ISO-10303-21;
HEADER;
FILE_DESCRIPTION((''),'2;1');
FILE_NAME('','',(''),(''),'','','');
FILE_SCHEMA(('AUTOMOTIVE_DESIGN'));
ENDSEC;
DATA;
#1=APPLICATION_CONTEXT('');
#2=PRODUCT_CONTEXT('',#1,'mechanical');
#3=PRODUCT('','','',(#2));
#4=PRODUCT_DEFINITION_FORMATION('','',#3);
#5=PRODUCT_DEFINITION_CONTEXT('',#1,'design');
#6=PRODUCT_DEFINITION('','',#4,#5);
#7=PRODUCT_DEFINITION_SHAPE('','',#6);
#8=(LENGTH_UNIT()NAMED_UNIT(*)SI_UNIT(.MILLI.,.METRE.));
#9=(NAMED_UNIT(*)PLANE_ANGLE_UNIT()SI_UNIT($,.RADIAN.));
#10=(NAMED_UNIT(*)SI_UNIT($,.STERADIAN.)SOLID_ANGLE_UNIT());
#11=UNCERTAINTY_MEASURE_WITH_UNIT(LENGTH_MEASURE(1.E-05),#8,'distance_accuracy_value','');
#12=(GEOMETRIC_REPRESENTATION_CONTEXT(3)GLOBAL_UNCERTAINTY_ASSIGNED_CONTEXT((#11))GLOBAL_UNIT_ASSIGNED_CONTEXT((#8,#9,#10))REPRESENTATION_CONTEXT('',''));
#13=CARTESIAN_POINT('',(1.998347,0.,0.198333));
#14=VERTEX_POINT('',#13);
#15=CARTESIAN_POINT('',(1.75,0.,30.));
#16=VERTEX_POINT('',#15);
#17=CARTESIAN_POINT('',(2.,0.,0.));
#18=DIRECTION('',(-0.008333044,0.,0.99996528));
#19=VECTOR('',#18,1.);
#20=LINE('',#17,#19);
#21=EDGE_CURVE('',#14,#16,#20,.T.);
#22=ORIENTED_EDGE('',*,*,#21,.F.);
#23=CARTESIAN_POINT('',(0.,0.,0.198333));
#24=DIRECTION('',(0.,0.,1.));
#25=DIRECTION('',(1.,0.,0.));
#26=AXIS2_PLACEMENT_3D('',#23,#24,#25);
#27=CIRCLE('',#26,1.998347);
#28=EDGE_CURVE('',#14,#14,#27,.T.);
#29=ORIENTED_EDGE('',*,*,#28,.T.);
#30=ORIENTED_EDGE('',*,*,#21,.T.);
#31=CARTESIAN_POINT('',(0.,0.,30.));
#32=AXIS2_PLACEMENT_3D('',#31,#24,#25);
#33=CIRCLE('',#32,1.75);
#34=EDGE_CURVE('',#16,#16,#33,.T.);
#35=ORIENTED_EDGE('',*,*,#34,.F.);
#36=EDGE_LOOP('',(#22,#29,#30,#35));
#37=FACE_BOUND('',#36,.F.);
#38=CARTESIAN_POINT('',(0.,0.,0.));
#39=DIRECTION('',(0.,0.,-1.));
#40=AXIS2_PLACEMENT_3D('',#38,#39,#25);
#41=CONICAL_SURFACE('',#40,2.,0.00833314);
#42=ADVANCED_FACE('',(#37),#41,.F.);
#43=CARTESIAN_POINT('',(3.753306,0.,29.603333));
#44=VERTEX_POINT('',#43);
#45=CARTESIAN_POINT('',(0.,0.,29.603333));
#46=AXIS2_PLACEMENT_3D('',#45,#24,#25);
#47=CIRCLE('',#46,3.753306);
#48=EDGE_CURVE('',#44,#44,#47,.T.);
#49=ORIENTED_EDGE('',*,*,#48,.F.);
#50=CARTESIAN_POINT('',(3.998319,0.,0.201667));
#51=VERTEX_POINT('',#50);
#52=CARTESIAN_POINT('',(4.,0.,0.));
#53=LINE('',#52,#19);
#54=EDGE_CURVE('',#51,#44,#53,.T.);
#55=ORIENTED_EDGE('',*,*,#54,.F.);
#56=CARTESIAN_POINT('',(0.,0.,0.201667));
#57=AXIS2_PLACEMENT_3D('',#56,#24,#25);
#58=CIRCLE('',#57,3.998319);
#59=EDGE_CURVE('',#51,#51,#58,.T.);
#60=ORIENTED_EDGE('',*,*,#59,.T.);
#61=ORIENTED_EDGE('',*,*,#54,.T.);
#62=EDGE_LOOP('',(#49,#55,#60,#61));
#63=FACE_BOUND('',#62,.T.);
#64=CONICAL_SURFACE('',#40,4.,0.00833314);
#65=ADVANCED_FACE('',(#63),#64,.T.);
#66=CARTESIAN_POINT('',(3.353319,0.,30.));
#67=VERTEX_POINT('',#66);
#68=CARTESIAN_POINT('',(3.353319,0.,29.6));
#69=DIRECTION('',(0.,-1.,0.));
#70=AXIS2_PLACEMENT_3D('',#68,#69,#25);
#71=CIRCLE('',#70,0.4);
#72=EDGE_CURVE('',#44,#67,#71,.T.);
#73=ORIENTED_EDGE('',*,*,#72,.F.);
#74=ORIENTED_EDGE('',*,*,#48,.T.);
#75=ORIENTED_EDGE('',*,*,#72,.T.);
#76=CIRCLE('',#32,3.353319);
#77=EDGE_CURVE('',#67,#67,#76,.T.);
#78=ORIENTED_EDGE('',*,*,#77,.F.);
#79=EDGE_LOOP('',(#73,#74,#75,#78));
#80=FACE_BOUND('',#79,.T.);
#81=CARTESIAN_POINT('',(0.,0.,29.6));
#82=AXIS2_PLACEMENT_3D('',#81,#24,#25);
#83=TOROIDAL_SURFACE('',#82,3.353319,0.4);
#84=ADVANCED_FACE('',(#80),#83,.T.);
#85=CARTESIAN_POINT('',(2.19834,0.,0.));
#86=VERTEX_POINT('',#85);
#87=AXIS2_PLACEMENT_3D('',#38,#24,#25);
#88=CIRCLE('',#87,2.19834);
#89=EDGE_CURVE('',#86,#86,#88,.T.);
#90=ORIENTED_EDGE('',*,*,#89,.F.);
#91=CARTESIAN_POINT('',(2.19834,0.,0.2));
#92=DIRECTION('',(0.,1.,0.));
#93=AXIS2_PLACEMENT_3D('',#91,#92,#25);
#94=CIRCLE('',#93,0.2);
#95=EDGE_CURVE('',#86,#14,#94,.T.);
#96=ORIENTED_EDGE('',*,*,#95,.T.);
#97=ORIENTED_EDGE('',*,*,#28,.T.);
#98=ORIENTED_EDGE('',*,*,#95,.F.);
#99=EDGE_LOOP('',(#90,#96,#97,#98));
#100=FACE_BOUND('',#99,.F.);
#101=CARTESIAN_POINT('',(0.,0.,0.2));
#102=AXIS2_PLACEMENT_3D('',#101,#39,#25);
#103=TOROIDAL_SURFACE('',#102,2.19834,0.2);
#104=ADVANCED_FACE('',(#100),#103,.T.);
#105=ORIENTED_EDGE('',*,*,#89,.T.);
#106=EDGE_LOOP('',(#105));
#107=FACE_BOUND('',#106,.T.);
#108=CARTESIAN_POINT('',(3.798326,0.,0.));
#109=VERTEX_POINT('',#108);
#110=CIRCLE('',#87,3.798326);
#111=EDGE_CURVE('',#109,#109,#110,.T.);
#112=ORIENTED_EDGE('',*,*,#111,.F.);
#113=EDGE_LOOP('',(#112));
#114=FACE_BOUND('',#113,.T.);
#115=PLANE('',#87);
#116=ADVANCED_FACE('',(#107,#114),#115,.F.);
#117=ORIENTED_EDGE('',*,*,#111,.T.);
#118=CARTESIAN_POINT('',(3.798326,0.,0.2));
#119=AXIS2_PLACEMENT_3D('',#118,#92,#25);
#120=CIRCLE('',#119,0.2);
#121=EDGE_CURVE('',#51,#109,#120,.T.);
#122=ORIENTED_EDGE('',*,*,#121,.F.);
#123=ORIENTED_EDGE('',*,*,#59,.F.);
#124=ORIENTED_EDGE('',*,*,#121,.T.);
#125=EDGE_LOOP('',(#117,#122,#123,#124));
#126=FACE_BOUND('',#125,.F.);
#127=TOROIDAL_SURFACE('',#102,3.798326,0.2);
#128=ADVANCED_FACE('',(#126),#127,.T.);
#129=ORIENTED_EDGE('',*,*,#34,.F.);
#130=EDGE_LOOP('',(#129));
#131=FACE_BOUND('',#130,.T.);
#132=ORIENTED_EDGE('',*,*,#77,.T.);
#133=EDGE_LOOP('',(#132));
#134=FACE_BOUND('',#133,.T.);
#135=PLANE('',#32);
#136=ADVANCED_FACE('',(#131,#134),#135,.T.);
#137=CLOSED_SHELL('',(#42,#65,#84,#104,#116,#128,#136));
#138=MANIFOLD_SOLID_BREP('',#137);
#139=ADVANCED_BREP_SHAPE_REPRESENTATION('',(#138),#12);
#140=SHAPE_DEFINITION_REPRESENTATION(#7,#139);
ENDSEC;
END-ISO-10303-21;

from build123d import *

# Parameters (mm, degrees)
FILLET_R    = 0.4
FILLET002_R = 0.2
FILLET003_R = 0.2


with BuildPart() as inner_cutout:
    # Cone → Cone (revolve)
    with BuildSketch(Plane.XZ):
        Polygon((0, 0), (2, 0), (1.75, 30), (0, 30), align=None)
    revolve(axis=Axis((0, 0, 0), (0, 0, 1)))


with BuildPart() as fillet003:
    # Cone001 → Cone001 (revolve)
    with BuildSketch(Plane.XZ):
        Polygon((0, 0), (4, 0), (3.75, 30), (0, 30), align=None)
    revolve(axis=Axis((0, 0, 0), (0, 0, 1)))

    # Cut: cut Inner Cutout
    add(inner_cutout.part, mode=Mode.SUBTRACT)

    # Fillet
    fillet_edges = [fillet003.edges().sort_by_distance(p)[0] for p in [
        (-3.75, 0, 30),
    ]]
    fillet(fillet_edges, radius=FILLET_R)

    # Fillet002
    fillet002_edges = [fillet003.edges().sort_by_distance(p)[0] for p in [
        (-4, 0, 0),
    ]]
    fillet(fillet002_edges, radius=FILLET002_R)

    # Fillet003
    fillet003_edges = [fillet003.edges().sort_by_distance(p)[0] for p in [
        (-2, 0, 0),
    ]]
    fillet(fillet003_edges, radius=FILLET003_R)


solid = fillet003.part
